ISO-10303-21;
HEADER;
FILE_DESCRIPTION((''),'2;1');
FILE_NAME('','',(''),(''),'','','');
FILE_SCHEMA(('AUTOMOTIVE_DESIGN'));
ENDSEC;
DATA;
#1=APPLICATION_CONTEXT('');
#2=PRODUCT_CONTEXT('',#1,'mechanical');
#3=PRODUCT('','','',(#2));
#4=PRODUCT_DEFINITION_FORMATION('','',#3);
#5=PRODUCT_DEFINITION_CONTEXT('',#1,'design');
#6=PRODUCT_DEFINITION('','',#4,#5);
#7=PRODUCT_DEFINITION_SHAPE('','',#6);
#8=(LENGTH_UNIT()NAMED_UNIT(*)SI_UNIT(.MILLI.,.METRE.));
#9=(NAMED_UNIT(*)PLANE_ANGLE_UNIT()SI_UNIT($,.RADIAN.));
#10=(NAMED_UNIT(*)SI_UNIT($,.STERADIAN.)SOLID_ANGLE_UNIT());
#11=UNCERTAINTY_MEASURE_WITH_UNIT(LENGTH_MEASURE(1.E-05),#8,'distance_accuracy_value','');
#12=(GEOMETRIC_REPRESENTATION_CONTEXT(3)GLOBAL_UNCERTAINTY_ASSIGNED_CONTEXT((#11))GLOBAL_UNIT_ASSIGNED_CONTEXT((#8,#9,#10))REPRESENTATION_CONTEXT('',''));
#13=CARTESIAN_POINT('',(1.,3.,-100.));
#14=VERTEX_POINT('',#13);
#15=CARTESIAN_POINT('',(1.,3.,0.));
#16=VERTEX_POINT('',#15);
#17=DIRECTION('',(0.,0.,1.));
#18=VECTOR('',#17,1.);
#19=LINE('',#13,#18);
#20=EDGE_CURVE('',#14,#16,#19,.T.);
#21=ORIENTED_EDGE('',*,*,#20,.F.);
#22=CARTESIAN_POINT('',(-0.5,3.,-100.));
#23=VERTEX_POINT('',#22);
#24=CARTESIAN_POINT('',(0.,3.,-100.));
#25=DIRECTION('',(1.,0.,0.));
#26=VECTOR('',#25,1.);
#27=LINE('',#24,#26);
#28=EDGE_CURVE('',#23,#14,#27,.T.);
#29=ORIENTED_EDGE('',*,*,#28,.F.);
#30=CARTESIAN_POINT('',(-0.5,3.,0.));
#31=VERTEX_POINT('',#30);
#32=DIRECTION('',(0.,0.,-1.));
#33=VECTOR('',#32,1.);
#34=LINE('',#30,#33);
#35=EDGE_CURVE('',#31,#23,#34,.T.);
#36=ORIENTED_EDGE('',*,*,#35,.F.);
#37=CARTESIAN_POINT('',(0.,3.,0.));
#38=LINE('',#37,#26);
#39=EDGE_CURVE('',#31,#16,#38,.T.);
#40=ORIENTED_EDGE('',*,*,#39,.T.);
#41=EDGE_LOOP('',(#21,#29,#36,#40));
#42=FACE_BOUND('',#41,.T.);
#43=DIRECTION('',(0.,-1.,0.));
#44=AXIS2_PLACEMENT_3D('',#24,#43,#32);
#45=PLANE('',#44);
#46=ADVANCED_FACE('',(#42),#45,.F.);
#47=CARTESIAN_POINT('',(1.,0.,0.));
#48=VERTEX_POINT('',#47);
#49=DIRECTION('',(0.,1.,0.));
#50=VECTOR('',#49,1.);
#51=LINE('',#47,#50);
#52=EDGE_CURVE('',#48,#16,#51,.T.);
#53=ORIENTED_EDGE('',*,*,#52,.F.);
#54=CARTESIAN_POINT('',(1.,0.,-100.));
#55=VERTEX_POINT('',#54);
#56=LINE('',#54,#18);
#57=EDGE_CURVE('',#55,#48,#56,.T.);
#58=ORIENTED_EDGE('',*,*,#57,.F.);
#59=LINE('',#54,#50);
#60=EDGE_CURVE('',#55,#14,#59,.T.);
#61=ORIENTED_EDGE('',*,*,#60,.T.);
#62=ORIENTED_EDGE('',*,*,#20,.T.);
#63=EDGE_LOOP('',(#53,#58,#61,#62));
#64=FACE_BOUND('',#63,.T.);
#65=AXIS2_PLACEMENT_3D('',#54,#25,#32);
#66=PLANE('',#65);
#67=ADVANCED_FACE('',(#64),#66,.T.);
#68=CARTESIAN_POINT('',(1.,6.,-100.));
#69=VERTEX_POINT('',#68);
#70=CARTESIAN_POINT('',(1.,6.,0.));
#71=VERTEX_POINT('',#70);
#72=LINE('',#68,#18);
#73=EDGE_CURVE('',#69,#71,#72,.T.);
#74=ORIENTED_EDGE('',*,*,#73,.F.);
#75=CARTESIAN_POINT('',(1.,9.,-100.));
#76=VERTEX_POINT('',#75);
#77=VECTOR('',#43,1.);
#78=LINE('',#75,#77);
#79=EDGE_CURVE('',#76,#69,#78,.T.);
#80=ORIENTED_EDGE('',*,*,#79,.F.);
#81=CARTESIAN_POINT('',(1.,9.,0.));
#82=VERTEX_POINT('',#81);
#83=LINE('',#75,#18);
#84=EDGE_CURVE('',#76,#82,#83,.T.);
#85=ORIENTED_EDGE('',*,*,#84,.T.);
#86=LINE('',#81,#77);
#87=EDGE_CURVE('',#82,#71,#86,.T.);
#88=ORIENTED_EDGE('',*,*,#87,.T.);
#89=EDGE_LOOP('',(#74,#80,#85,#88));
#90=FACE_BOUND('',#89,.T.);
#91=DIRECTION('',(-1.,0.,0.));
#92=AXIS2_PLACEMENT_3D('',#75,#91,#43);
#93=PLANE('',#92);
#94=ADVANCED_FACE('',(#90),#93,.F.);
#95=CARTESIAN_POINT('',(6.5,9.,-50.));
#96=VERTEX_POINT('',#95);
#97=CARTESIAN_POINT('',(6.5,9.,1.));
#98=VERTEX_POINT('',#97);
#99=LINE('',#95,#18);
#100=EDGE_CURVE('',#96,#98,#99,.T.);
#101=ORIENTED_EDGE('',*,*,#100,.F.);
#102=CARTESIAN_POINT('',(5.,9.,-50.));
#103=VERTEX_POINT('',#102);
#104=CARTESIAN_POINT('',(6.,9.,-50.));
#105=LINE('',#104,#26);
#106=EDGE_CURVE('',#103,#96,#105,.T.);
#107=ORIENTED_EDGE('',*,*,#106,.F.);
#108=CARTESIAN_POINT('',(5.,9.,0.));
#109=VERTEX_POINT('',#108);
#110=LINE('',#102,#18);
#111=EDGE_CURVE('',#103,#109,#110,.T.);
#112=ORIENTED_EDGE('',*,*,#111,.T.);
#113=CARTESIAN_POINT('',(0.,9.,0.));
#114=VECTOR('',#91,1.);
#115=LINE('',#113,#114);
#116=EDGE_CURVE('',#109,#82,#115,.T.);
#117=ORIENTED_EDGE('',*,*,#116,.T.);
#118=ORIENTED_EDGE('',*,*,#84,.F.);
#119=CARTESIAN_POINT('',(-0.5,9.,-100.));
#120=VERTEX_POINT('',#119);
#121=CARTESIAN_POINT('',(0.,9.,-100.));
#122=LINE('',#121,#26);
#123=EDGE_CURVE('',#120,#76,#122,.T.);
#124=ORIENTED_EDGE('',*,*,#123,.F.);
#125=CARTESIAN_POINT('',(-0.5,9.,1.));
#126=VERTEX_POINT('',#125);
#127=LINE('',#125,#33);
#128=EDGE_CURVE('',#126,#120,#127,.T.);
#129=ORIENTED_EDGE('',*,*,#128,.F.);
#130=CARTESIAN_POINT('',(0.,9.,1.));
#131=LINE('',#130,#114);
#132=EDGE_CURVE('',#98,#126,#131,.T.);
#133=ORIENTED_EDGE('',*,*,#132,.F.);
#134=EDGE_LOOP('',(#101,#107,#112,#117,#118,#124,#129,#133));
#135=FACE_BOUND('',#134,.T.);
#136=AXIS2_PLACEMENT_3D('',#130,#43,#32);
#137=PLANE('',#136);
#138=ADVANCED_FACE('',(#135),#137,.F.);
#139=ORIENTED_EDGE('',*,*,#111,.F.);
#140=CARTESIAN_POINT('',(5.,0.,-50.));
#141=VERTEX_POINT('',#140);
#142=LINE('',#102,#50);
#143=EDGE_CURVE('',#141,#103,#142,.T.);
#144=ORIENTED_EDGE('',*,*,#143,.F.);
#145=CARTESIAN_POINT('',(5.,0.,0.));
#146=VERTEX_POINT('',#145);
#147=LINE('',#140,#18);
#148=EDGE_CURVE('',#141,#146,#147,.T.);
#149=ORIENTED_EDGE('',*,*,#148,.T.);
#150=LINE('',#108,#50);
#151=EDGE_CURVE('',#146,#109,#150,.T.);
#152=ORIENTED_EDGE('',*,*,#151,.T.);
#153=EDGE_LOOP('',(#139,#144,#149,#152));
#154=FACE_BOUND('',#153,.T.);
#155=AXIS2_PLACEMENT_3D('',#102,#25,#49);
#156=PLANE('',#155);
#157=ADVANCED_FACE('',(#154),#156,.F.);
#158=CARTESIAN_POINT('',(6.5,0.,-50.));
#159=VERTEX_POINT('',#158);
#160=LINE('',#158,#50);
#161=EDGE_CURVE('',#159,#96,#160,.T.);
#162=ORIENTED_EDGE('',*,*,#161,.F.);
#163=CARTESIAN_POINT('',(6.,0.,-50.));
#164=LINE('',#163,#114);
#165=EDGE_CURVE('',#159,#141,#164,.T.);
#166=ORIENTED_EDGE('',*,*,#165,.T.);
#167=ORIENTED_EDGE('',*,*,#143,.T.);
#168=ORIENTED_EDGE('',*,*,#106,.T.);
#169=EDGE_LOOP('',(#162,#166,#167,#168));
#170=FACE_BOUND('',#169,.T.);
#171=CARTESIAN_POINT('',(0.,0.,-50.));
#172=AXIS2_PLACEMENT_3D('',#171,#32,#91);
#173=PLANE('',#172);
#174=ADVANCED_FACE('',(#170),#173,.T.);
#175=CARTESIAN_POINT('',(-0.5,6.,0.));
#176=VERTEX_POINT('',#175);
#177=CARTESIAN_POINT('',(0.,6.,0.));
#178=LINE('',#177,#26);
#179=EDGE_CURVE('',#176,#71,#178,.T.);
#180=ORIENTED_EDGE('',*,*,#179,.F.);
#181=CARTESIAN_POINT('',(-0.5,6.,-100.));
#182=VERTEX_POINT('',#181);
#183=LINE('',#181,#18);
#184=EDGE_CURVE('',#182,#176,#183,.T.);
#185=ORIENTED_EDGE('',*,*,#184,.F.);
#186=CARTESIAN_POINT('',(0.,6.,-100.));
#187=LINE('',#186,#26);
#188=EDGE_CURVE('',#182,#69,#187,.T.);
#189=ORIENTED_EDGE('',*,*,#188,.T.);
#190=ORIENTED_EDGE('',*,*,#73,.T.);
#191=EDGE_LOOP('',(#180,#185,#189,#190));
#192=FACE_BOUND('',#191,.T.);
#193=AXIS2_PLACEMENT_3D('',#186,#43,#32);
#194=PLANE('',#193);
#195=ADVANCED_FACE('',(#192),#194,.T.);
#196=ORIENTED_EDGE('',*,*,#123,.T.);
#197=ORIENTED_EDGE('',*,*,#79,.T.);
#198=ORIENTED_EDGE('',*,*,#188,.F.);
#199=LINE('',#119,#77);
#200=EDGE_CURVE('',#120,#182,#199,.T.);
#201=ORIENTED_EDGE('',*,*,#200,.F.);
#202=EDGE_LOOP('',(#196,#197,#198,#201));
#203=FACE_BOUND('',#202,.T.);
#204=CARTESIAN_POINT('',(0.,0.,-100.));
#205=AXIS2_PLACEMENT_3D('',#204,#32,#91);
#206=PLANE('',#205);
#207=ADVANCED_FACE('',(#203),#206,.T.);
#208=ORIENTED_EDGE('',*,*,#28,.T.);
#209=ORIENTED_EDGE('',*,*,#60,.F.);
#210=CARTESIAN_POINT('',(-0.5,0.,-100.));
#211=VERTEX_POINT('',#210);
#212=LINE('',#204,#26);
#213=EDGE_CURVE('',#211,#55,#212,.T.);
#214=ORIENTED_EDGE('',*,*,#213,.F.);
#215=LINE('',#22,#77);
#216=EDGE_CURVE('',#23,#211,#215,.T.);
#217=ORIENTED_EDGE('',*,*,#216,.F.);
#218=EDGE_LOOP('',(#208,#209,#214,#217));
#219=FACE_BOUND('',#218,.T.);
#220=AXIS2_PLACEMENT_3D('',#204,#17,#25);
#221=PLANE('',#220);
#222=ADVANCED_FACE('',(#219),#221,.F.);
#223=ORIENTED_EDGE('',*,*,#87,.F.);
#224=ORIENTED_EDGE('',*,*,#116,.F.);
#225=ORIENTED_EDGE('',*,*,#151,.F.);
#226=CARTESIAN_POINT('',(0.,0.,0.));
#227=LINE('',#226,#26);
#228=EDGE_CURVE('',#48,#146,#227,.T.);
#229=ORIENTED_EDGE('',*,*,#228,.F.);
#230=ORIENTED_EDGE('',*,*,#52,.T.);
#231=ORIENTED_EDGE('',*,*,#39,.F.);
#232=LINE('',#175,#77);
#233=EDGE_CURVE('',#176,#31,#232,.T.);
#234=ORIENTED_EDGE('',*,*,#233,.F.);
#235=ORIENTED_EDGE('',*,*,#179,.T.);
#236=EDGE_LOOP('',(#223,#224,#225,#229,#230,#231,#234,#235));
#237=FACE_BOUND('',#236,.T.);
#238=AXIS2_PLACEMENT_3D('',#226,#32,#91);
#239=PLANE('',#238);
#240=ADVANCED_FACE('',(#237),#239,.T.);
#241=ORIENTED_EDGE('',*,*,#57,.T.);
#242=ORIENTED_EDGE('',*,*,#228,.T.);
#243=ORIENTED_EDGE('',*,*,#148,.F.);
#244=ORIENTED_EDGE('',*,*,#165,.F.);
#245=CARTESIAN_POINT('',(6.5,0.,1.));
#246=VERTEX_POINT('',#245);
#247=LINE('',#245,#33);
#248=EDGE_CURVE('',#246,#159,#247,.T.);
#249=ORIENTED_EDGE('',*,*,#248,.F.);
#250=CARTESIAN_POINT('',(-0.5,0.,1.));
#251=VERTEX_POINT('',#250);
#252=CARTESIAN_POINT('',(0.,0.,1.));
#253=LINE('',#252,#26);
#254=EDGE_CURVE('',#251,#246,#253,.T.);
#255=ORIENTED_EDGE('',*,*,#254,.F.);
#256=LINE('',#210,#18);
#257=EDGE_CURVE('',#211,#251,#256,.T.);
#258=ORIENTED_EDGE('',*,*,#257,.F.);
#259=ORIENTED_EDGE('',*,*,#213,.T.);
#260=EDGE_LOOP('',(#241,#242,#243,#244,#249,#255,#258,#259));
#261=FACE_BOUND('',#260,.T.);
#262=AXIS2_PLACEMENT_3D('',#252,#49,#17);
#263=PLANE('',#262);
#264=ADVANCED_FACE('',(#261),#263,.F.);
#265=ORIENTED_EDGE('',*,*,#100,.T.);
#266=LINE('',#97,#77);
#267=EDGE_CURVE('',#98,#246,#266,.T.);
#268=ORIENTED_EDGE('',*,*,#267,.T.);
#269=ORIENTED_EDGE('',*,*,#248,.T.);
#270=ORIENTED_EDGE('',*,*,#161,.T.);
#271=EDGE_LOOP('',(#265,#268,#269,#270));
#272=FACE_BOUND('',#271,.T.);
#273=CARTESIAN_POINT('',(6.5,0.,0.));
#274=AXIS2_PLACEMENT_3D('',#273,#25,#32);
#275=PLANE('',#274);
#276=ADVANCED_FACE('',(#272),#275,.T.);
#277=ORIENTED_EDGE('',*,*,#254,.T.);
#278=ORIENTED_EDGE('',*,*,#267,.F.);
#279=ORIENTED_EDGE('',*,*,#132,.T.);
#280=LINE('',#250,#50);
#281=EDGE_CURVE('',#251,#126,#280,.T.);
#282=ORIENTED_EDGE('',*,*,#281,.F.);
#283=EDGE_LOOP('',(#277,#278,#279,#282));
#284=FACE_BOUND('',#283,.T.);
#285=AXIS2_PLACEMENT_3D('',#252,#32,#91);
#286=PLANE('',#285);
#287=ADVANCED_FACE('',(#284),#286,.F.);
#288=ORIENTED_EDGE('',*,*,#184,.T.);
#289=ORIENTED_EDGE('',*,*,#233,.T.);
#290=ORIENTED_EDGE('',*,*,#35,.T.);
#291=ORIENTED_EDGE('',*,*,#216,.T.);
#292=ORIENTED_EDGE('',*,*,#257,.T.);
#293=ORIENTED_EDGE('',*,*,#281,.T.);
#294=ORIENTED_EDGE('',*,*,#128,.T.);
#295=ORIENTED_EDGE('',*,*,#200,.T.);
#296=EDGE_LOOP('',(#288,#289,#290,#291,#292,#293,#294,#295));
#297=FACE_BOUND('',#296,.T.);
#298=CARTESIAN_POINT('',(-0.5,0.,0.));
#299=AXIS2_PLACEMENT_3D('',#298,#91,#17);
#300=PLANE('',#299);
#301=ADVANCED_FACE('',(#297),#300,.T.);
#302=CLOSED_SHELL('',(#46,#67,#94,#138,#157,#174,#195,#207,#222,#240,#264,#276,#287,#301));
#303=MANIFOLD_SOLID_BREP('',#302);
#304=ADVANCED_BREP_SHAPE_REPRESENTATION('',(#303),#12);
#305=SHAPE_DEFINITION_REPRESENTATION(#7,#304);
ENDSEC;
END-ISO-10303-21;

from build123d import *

# Parameters (mm, degrees)
SKETCH1_W           = 6
SKETCH1_H           = 9
BOSS_EXTRUDE1_DEPTH = 1
SKETCH2_W           = 1
SKETCH2_H           = 3
BOSS_EXTRUDE2_DEPTH = 100
SKETCH3_W           = 1
SKETCH3_H           = 9
BOSS_EXTRUDE3_DEPTH = 50
SKETCH4_W           = 51
SKETCH4_H           = 9
BOSS_EXTRUDE4_DEPTH = 0.5
BOSS_EXTRUDE5_DEPTH = 0.5


with BuildPart() as part:
    # Sketch1 → Boss-Extrude1 (new body)
    with BuildSketch(Plane.XY):
        with Locations((3, 4.5)):
            Rectangle(SKETCH1_W, SKETCH1_H)
    extrude(amount=BOSS_EXTRUDE1_DEPTH)

    # Sketch2 → Boss-Extrude2 (add)
    with BuildSketch(Plane(origin=(0, 0, 0), x_dir=(-1, 0, 0), z_dir=(0, 0, -1))):
        with Locations((-0.5, 1.5)):
            Rectangle(SKETCH2_W, SKETCH2_H)
        with Locations((-0.5, 7.5)):
            Rectangle(SKETCH2_W, SKETCH2_H)
    extrude(amount=BOSS_EXTRUDE2_DEPTH)

    # Sketch3 → Boss-Extrude3 (add)
    with BuildSketch(Plane(origin=(0, 0, 0), x_dir=(-1, 0, 0), z_dir=(0, 0, -1))):
        with Locations((-5.5, 4.5)):
            Rectangle(SKETCH3_W, SKETCH3_H)
    extrude(amount=BOSS_EXTRUDE3_DEPTH)

    # Sketch4 → Boss-Extrude4 (add)
    with BuildSketch(Plane(origin=(6, 0, 0), x_dir=(0, 0, -1), z_dir=(1, 0, 0))):
        with Locations((24.5, 4.5)):
            Rectangle(SKETCH4_W, SKETCH4_H)
    extrude(amount=BOSS_EXTRUDE4_DEPTH)

    # Sketch5 → Boss-Extrude5 (add)
    with BuildSketch(Plane.ZY):
        Polygon((1, 9), (-100, 9), (-100, 6), (0, 6), (0, 3), (-100, 3), (-100, 0), (1, 0), align=None)
    extrude(amount=BOSS_EXTRUDE5_DEPTH)


solid = part.part
